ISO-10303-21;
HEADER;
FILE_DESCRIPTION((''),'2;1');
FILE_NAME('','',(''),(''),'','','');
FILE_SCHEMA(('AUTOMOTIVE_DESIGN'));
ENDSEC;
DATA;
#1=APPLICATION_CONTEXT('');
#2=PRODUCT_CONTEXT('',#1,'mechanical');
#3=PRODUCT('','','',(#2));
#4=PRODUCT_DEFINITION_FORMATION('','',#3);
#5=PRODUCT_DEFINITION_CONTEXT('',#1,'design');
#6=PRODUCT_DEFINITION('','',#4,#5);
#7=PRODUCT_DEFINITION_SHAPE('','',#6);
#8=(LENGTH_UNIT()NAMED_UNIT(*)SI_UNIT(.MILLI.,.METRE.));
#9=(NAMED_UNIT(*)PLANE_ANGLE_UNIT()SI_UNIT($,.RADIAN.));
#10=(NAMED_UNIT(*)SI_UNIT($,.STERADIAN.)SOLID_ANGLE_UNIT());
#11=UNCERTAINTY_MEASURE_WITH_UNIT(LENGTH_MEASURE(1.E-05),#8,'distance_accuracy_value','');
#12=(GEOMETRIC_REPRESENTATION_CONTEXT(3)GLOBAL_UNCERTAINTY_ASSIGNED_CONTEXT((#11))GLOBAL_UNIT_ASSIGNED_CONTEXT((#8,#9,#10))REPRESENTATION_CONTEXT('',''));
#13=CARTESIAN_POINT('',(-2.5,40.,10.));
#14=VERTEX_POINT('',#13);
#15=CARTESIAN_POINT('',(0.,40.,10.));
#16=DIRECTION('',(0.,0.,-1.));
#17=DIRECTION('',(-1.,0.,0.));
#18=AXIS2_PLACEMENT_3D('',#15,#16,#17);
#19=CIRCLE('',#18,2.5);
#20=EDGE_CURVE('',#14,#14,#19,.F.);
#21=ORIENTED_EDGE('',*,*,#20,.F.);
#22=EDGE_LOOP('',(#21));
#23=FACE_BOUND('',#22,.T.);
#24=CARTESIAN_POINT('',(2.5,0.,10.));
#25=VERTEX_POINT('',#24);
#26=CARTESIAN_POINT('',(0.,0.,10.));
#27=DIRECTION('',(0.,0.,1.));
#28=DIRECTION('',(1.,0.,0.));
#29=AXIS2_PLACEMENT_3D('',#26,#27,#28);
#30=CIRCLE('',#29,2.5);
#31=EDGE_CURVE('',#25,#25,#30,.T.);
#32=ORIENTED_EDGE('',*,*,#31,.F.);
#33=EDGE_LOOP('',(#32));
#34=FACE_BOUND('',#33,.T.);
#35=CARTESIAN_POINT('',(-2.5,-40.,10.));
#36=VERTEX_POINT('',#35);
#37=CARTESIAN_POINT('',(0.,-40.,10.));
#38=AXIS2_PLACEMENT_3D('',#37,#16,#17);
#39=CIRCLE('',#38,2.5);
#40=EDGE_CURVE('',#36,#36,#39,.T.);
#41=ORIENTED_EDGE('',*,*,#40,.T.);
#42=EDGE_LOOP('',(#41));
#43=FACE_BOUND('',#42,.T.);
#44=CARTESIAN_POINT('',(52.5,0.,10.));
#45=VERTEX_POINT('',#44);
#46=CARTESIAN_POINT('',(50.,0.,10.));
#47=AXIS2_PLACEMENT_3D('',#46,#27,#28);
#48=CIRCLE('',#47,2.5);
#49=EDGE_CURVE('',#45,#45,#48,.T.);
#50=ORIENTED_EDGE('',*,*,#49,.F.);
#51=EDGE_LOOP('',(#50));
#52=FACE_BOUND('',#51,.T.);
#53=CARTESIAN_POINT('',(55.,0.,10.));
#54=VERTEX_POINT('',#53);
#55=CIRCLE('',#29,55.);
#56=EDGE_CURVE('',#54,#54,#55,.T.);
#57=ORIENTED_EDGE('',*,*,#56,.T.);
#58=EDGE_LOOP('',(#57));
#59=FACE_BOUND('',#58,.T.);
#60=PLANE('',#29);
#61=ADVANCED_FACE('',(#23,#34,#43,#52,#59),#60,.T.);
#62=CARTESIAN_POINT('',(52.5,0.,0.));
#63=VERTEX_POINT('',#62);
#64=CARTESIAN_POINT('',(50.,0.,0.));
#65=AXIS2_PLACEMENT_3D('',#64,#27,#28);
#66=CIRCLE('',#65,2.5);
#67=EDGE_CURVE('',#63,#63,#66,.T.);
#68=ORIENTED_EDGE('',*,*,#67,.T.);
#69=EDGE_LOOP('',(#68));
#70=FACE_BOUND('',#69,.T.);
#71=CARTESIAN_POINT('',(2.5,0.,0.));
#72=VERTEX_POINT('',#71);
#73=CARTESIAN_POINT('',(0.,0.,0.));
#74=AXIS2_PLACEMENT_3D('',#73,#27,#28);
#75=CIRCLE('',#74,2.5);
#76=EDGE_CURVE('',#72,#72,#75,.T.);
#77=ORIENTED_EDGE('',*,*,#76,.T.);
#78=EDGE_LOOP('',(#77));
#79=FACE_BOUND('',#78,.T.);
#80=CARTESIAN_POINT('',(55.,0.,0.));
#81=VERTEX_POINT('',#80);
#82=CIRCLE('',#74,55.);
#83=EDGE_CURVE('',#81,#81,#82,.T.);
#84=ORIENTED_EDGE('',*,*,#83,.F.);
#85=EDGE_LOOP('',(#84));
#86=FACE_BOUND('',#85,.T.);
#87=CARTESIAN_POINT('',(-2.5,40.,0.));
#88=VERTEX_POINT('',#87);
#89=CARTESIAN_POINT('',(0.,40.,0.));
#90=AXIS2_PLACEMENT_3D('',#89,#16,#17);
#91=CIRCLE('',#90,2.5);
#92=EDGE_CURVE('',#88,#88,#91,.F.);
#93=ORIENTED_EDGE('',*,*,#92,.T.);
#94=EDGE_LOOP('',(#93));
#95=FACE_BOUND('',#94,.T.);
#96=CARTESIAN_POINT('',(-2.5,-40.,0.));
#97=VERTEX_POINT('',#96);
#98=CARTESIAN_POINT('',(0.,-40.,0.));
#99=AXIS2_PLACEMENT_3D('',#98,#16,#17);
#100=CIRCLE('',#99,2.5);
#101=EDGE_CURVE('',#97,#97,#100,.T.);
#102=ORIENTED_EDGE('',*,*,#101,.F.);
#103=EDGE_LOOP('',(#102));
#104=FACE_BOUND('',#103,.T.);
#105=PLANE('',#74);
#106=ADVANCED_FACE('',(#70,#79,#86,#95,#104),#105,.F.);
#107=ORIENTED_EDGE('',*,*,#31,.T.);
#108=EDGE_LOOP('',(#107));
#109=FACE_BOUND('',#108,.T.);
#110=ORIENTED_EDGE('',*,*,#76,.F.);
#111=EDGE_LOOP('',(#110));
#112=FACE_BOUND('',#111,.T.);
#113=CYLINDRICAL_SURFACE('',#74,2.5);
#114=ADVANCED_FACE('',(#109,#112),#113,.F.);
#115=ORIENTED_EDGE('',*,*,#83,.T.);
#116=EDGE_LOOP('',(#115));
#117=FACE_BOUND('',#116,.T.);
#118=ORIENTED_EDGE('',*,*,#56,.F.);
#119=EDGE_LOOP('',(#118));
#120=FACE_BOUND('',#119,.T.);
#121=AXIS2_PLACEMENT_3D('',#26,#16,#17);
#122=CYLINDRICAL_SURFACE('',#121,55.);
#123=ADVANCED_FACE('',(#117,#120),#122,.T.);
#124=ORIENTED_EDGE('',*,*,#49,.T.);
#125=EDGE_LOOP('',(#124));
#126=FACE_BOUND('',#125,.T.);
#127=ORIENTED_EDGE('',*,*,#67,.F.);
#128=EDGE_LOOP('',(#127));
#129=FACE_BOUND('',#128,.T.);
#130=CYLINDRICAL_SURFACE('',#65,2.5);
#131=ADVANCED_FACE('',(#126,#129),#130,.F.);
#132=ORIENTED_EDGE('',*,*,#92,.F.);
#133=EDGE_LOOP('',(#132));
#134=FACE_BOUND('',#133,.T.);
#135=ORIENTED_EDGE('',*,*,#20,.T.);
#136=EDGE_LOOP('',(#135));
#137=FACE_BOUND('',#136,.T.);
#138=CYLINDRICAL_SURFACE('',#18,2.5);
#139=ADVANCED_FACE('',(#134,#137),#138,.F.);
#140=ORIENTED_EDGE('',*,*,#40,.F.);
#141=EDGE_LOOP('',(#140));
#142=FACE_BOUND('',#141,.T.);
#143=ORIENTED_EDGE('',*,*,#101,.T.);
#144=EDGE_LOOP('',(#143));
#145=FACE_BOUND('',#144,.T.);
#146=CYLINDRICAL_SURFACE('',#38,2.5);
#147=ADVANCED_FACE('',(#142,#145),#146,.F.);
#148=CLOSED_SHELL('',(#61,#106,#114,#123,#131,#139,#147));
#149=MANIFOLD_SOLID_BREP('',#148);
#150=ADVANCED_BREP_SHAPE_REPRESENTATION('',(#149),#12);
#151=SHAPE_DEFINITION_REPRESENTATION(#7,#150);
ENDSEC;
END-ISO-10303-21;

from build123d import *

# Parameters (mm, degrees)
SKETCH_1_R          = 55
EXTRUDE_1_DEPTH     = 10
SKETCH_2_R          = 2.5
CUT_EXTRUDE_1_DEPTH = 79.421935707
SKETCH_4_R          = 2.5
CUT_EXTRUDE_2_DEPTH = 79.421935707


with BuildPart() as part:
    # 草图1 → 凸台-拉伸1 (new body)
    with BuildSketch(Plane.XY):
        Circle(SKETCH_1_R)
    extrude(amount=EXTRUDE_1_DEPTH)

    # 草图2 → 切除-拉伸1 (cut, through all)
    with BuildSketch(Plane.XY.offset(10)):
        Circle(SKETCH_2_R)
        with Locations((50, 0)):
            Circle(SKETCH_2_R)
    extrude(amount=-CUT_EXTRUDE_1_DEPTH, mode=Mode.SUBTRACT)

    # 草图4 → 切除-拉伸2 (cut, through all)
    with BuildSketch(Plane(origin=(0, 0, 0), x_dir=(-1, 0, 0), z_dir=(0, 0, -1))):
        with Locations((0, -40)):
            Circle(SKETCH_4_R)
        with Locations((0, 40)):
            Circle(SKETCH_4_R)
    extrude(amount=-CUT_EXTRUDE_2_DEPTH, mode=Mode.SUBTRACT)


solid = part.part
